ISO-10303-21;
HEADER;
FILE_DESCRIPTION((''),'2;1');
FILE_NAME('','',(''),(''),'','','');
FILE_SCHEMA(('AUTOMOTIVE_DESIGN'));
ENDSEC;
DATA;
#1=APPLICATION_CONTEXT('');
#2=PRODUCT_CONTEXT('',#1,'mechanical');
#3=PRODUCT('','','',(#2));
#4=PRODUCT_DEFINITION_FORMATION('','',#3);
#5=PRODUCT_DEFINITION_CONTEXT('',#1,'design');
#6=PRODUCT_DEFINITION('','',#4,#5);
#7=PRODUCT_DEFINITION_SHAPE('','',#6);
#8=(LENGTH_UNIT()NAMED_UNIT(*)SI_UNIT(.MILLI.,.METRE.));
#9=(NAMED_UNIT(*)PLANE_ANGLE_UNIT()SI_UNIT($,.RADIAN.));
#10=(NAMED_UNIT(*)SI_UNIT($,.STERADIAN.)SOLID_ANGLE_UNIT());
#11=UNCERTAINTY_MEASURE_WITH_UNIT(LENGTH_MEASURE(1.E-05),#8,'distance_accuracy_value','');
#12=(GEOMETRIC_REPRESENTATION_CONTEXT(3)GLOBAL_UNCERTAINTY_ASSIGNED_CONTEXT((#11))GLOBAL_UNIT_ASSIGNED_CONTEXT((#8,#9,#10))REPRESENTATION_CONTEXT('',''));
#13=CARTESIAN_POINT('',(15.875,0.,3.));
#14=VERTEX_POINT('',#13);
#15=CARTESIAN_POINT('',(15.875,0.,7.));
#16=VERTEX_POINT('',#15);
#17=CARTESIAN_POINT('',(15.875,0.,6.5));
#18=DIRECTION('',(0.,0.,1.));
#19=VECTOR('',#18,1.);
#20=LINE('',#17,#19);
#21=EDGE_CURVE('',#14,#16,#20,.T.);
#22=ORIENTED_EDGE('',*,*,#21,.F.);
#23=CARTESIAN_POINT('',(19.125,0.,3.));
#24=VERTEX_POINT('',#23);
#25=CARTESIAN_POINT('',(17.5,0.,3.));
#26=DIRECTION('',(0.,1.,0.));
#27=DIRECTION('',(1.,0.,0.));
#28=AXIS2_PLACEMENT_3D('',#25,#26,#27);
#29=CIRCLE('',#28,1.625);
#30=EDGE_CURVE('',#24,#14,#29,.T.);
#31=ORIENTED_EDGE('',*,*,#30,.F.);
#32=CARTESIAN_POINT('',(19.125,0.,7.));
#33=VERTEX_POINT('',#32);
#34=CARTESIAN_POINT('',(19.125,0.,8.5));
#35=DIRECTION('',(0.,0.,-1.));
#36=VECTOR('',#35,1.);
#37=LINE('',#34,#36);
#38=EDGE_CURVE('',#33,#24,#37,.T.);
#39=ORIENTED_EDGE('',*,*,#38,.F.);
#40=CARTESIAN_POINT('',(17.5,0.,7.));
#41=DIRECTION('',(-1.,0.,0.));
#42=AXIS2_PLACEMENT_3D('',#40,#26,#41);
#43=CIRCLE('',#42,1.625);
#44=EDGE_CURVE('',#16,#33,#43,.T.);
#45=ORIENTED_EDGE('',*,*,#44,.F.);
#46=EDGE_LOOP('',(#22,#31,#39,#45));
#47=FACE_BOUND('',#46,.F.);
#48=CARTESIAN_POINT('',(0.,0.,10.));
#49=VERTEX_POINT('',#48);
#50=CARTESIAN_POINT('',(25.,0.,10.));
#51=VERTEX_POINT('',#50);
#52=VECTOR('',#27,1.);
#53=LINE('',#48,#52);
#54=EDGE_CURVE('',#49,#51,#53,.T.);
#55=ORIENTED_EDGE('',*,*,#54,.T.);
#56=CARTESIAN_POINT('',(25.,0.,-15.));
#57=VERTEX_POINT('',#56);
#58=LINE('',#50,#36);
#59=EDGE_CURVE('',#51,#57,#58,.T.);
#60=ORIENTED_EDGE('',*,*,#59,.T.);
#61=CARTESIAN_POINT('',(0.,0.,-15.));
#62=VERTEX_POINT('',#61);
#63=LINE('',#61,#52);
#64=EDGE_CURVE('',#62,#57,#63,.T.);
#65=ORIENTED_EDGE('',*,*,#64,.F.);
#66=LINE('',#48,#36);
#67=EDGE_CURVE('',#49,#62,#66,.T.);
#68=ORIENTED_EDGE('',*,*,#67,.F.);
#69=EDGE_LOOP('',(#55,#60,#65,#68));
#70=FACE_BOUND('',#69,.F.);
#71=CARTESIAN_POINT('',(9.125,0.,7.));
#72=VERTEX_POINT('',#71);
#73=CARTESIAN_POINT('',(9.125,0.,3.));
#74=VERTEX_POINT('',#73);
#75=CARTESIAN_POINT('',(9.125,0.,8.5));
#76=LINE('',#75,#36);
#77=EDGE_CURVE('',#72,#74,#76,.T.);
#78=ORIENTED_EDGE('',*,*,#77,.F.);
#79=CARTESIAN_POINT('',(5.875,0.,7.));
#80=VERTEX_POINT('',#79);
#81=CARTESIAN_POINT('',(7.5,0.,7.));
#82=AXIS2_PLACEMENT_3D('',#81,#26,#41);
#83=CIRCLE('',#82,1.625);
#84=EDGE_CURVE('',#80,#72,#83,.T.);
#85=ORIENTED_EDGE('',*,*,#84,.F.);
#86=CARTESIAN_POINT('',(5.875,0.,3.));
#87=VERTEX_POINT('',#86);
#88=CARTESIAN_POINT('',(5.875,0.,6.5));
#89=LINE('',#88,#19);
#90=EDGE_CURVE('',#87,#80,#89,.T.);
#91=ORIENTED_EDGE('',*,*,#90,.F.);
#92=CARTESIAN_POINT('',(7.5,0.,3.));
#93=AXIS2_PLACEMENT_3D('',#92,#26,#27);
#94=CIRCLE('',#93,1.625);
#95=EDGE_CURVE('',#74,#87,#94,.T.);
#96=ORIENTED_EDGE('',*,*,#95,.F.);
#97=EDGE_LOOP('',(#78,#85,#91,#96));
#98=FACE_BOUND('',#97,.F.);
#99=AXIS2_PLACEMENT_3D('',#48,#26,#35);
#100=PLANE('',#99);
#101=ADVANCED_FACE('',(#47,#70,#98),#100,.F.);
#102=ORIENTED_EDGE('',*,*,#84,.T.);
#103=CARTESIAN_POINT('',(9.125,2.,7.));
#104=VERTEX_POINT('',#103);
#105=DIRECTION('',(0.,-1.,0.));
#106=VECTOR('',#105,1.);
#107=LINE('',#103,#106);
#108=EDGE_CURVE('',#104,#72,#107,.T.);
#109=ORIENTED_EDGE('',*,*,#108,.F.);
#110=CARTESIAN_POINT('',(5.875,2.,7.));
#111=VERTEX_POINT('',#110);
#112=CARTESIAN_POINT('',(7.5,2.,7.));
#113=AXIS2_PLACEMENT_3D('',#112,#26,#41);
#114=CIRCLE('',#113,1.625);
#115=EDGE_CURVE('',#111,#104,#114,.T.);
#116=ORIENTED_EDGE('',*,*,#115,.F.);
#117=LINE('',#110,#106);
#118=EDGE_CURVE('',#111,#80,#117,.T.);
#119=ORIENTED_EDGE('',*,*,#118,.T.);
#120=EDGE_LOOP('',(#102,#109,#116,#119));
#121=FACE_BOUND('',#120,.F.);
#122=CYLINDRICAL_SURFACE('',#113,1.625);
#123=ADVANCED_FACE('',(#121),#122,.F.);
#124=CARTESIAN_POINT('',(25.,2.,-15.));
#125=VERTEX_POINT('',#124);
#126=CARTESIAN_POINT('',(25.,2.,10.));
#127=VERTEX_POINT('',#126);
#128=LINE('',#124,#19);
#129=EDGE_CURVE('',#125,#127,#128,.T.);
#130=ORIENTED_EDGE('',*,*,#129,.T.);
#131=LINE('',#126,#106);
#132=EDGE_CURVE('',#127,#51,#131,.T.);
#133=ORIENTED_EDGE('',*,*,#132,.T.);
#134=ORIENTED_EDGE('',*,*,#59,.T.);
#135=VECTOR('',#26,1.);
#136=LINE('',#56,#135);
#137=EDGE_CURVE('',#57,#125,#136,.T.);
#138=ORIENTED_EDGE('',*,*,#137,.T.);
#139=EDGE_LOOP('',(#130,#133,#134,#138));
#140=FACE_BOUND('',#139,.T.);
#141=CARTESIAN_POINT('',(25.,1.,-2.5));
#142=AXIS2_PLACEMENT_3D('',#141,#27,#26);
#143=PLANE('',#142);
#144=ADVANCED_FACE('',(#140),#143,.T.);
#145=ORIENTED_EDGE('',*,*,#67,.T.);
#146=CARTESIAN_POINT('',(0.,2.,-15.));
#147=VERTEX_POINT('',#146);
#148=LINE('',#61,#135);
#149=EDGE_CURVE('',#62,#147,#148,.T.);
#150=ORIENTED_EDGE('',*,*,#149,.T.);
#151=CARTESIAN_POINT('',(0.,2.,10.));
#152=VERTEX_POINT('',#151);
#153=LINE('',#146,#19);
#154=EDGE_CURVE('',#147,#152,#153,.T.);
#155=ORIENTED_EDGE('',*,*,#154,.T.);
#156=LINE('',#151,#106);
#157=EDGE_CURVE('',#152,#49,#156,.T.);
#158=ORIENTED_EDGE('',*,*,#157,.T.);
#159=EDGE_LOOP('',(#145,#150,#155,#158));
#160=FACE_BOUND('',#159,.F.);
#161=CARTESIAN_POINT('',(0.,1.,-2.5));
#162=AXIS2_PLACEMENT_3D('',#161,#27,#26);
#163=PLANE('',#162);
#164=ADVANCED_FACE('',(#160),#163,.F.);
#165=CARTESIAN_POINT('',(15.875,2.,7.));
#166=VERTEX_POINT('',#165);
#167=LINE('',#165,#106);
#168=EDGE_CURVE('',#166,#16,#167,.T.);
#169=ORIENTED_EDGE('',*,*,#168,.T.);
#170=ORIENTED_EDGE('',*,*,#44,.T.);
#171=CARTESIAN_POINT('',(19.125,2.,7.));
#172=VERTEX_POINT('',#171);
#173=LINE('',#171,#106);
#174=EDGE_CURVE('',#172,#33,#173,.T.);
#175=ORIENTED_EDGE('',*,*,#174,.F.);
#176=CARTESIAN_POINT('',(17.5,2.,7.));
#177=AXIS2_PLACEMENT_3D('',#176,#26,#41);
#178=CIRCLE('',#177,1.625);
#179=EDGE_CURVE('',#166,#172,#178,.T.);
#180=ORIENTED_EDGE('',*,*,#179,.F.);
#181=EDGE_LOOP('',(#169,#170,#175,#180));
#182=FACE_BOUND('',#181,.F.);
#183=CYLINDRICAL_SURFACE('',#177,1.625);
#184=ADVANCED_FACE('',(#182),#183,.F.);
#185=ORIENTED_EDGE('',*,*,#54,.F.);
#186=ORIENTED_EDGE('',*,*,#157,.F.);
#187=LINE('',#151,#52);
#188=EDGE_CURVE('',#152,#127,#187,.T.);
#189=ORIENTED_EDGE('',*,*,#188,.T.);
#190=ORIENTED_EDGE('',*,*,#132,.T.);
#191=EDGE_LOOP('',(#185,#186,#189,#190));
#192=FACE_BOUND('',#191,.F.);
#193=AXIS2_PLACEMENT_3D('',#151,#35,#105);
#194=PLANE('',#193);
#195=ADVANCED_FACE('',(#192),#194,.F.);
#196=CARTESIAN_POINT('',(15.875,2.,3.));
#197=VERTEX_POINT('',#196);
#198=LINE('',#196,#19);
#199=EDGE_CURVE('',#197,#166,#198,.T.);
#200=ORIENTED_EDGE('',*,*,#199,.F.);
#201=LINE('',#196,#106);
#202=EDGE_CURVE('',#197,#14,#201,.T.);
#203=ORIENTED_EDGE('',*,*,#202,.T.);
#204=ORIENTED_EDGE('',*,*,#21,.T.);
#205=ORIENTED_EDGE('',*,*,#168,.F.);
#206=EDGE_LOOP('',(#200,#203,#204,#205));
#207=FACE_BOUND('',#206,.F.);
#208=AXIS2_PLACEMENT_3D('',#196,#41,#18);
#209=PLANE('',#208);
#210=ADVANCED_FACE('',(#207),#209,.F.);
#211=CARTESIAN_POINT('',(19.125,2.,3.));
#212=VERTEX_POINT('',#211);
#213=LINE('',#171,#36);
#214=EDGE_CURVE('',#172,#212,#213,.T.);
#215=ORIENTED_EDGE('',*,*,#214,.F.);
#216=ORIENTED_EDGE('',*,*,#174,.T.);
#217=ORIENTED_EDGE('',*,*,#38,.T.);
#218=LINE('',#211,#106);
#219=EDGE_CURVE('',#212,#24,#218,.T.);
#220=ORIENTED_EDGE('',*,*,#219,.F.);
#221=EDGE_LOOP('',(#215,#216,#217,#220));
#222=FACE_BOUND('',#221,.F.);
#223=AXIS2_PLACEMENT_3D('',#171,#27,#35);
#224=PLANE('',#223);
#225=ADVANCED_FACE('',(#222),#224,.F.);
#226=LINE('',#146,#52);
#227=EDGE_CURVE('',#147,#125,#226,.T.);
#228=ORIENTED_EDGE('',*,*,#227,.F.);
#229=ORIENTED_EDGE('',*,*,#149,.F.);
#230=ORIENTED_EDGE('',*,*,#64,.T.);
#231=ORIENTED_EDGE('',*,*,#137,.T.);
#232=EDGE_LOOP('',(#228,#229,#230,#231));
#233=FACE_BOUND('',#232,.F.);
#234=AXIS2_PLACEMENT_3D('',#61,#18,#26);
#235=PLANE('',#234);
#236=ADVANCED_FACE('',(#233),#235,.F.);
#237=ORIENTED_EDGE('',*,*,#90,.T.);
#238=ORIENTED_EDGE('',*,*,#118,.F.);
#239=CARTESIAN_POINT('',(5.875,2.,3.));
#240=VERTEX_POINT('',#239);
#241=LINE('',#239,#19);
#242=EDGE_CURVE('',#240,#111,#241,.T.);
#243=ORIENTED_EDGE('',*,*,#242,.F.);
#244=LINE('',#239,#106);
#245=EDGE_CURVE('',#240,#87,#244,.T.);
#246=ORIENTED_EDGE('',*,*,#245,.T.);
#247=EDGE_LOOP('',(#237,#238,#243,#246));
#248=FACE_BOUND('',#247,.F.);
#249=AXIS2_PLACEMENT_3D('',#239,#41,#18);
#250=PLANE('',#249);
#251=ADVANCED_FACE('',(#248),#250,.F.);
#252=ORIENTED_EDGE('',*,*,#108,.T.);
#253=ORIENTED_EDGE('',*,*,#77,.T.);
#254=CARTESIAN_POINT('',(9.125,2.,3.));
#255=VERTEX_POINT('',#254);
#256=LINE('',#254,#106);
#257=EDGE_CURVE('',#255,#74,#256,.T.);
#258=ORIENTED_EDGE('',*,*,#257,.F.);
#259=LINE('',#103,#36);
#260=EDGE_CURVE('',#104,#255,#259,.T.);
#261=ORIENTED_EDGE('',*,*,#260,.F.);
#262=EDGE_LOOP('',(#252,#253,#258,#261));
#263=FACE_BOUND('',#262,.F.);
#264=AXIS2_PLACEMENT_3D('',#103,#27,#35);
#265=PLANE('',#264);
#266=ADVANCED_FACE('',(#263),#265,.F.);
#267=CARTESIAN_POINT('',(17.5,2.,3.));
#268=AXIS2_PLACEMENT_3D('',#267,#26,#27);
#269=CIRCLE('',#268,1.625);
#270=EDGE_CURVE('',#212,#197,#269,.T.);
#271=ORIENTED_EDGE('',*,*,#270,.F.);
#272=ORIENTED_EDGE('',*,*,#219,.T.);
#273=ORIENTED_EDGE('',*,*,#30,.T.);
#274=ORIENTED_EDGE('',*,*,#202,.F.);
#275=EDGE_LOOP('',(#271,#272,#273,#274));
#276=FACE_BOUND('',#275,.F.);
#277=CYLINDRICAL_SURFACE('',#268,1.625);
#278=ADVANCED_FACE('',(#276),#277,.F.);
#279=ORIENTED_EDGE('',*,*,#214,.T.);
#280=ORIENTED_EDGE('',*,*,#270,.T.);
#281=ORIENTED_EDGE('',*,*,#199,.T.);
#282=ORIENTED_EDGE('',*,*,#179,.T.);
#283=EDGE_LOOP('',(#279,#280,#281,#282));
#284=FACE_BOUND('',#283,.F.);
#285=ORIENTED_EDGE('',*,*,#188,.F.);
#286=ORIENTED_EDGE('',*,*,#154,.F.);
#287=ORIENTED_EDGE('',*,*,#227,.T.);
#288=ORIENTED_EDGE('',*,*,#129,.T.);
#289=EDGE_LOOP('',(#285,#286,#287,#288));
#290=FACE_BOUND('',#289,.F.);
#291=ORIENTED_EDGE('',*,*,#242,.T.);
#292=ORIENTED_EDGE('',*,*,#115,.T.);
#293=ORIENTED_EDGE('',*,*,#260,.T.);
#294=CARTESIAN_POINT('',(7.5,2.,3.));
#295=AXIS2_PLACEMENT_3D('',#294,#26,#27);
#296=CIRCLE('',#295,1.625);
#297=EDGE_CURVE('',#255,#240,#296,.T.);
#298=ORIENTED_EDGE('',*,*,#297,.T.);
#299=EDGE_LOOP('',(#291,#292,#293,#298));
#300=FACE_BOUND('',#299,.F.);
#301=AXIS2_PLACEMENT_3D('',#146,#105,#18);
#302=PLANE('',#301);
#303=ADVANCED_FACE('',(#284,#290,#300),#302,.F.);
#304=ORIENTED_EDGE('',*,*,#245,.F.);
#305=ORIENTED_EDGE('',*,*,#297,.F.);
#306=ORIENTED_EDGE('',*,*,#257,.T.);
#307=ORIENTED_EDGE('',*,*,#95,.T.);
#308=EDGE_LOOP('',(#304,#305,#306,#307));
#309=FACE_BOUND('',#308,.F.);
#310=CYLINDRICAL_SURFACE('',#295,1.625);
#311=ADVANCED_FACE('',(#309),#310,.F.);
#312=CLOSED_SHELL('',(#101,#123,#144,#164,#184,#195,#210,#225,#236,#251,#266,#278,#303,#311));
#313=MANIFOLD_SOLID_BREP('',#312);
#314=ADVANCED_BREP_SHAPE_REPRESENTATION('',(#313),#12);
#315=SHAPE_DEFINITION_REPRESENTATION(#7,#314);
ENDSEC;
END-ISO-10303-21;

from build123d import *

# Parameters (mm, degrees)
F1_DEPTH = 25
F3_DEPTH = 25


with BuildPart() as f1:
    # F0 (on Right) → F1 (new body)
    with BuildSketch(Plane.YZ):
        Polygon((0, 10), (0, 0), (0, -15), (2, -15), (2, 2), (2, 10), align=None)
    extrude(amount=F1_DEPTH)

    # F2 (on face) → F3 (cut)
    with BuildSketch(Plane(origin=(0, 2, 0), x_dir=(-1, 0, 0), z_dir=(0, 1, 0))):
        with BuildLine():
            Line((-15.875, 3), (-15.875, 7))
            ThreePointArc((-15.875, 7), (-17.5, 8.625), (-19.125, 7))
            Line((-19.125, 7), (-19.125, 3))
            ThreePointArc((-19.125, 3), (-17.5, 1.375), (-15.875, 3))
        make_face()
        with BuildLine():
            Line((-5.875, 3), (-5.875, 7))
            ThreePointArc((-5.875, 7), (-7.5, 8.625), (-9.125, 7))
            Line((-9.125, 7), (-9.125, 3))
            ThreePointArc((-9.125, 3), (-7.5, 1.375), (-5.875, 3))
        make_face()
    extrude(amount=-F3_DEPTH, mode=Mode.SUBTRACT)


solid = f1.part
